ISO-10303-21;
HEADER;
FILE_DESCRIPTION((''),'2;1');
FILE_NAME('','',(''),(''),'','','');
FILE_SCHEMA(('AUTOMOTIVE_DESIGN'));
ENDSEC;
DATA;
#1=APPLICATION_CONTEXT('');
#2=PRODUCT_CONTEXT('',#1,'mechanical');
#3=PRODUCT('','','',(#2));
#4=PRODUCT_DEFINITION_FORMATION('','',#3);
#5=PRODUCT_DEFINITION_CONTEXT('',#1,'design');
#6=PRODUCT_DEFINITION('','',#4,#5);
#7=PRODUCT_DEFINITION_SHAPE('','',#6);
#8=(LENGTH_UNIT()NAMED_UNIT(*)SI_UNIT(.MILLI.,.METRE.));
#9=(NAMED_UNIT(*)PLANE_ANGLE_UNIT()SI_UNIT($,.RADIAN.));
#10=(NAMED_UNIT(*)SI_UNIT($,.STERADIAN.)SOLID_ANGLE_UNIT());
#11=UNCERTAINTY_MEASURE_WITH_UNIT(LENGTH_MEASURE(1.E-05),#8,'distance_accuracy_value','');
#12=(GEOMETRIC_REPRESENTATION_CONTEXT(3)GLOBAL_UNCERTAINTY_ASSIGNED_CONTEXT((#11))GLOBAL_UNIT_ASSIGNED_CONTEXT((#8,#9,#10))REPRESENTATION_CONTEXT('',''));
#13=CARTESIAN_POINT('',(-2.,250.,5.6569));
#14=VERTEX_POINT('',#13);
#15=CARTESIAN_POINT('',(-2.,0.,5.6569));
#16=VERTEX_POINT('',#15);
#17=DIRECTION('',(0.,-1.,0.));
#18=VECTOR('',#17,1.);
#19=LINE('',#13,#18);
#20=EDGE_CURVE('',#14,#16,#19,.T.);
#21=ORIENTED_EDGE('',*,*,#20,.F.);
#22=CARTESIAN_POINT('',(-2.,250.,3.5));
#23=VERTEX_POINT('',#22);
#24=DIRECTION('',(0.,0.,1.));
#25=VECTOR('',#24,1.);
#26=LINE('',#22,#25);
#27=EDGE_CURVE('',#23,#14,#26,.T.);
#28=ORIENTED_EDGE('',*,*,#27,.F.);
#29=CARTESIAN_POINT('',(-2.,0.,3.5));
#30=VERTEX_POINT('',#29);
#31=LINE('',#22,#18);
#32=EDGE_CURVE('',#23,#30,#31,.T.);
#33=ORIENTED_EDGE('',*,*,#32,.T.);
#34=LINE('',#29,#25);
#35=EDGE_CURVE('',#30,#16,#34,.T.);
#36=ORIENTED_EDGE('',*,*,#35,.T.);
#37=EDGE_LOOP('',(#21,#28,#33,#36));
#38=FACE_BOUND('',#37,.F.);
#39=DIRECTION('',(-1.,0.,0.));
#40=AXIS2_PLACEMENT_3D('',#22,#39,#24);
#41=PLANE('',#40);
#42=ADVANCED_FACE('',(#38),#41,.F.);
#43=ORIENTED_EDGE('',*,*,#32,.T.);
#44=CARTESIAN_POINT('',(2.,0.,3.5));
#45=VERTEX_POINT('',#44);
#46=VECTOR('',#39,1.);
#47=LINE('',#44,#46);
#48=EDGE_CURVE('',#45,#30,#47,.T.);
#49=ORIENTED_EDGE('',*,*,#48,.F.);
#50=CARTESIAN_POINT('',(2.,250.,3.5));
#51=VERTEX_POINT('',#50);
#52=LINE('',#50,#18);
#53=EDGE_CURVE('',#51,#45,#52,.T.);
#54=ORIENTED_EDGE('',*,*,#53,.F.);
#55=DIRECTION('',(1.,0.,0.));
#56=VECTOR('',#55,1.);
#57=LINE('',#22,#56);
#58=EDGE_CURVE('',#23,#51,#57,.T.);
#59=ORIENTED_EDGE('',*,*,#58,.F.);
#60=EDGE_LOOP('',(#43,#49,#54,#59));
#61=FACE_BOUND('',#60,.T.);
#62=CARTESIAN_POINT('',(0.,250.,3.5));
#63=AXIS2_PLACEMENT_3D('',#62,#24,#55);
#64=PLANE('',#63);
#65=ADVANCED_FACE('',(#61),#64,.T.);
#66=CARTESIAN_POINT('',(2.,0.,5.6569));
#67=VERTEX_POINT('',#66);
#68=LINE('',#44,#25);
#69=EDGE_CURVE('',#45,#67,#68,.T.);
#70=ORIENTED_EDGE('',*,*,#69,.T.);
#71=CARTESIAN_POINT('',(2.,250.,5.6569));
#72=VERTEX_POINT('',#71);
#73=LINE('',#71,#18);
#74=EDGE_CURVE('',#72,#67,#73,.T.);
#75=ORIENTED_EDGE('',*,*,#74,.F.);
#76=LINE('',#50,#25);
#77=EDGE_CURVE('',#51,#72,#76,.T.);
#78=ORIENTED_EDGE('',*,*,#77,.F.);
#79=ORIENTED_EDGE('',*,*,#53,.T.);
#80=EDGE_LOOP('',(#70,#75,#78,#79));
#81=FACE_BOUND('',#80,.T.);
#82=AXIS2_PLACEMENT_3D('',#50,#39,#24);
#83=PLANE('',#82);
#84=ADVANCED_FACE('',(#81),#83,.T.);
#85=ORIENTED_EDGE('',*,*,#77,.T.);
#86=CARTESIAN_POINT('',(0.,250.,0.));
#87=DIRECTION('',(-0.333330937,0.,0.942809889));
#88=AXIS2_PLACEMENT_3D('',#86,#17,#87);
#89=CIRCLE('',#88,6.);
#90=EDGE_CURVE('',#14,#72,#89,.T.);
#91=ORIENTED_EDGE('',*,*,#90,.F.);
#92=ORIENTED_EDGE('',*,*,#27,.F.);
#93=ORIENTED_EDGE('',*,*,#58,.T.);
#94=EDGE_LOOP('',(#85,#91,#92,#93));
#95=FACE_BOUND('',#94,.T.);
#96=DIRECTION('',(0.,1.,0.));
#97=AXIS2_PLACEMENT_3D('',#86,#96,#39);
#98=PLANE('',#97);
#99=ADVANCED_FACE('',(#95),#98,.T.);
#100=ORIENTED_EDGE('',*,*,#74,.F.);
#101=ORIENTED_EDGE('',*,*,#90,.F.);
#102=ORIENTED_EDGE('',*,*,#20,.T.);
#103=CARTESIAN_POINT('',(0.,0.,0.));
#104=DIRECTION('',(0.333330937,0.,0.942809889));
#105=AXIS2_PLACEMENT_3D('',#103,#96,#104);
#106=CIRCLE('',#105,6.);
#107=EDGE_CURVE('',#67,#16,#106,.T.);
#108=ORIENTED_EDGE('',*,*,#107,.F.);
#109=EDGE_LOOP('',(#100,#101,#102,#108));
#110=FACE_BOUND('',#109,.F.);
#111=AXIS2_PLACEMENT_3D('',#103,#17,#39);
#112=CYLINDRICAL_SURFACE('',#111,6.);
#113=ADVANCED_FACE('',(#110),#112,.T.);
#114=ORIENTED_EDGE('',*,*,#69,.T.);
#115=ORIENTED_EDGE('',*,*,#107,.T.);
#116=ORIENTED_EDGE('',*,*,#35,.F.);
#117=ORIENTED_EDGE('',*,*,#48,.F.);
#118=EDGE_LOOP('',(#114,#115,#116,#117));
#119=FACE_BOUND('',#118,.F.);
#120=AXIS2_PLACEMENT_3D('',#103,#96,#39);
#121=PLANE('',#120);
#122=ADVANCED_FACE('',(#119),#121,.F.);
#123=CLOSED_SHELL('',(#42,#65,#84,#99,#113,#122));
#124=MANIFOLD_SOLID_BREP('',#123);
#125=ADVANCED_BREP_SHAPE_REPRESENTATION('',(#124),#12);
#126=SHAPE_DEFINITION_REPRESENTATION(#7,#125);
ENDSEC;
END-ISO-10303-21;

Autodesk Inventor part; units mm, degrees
ref_plane "YZ Plane" through (0, 0, 0) normal (1, 0, 0) x (0, 1, 0)
ref_plane "XZ Plane" through (0, 0, 0) normal (0, 1, 0) x (-1, 0, 0)
ref_plane "XY Plane" through (0, 0, 0) normal (0, 0, 1) x (1, 0, 0)
sketch "スケッチ1" plane through (0, 0, 0) normal (0, 1, 0) x (-1, 0, 0)
  circle A0 centre (0, 0) radius 6
  dimension "d0" = 12
extrude "押し出し1" add sketch "スケッチ1" along normal blind 250
sketch "スケッチ2" plane through (0, 250, 0) normal (0, 1, 0) x (1, 0, 0)
  circle A0 centre (0, 0) radius 6 projected
  line L0 (0, -3.5) -> (2, -3.5)
  line L1 (2, -3.5) -> (2, -5.6569)
  circle A1 centre (0, 0) radius 6 projected
  line L2 (0, -3.5) -> (-2, -3.5)
  line L3 (-2, -3.5) -> (-2, -5.6569)
  arc A2 (-2, -5.6569) -> (2, -5.6569) centre (0, 0) ccw
  dimension "d3" = 3.5
  dimension "d4" = 2
  dimension "d5" = 2
extrude "押し出し2" cut sketch "スケッチ2" against normal blind 250 contours L3 L2 L0 L1 A0 picked at (-0.8927, -4.3205)
properties part number "射出機構_軸2"
